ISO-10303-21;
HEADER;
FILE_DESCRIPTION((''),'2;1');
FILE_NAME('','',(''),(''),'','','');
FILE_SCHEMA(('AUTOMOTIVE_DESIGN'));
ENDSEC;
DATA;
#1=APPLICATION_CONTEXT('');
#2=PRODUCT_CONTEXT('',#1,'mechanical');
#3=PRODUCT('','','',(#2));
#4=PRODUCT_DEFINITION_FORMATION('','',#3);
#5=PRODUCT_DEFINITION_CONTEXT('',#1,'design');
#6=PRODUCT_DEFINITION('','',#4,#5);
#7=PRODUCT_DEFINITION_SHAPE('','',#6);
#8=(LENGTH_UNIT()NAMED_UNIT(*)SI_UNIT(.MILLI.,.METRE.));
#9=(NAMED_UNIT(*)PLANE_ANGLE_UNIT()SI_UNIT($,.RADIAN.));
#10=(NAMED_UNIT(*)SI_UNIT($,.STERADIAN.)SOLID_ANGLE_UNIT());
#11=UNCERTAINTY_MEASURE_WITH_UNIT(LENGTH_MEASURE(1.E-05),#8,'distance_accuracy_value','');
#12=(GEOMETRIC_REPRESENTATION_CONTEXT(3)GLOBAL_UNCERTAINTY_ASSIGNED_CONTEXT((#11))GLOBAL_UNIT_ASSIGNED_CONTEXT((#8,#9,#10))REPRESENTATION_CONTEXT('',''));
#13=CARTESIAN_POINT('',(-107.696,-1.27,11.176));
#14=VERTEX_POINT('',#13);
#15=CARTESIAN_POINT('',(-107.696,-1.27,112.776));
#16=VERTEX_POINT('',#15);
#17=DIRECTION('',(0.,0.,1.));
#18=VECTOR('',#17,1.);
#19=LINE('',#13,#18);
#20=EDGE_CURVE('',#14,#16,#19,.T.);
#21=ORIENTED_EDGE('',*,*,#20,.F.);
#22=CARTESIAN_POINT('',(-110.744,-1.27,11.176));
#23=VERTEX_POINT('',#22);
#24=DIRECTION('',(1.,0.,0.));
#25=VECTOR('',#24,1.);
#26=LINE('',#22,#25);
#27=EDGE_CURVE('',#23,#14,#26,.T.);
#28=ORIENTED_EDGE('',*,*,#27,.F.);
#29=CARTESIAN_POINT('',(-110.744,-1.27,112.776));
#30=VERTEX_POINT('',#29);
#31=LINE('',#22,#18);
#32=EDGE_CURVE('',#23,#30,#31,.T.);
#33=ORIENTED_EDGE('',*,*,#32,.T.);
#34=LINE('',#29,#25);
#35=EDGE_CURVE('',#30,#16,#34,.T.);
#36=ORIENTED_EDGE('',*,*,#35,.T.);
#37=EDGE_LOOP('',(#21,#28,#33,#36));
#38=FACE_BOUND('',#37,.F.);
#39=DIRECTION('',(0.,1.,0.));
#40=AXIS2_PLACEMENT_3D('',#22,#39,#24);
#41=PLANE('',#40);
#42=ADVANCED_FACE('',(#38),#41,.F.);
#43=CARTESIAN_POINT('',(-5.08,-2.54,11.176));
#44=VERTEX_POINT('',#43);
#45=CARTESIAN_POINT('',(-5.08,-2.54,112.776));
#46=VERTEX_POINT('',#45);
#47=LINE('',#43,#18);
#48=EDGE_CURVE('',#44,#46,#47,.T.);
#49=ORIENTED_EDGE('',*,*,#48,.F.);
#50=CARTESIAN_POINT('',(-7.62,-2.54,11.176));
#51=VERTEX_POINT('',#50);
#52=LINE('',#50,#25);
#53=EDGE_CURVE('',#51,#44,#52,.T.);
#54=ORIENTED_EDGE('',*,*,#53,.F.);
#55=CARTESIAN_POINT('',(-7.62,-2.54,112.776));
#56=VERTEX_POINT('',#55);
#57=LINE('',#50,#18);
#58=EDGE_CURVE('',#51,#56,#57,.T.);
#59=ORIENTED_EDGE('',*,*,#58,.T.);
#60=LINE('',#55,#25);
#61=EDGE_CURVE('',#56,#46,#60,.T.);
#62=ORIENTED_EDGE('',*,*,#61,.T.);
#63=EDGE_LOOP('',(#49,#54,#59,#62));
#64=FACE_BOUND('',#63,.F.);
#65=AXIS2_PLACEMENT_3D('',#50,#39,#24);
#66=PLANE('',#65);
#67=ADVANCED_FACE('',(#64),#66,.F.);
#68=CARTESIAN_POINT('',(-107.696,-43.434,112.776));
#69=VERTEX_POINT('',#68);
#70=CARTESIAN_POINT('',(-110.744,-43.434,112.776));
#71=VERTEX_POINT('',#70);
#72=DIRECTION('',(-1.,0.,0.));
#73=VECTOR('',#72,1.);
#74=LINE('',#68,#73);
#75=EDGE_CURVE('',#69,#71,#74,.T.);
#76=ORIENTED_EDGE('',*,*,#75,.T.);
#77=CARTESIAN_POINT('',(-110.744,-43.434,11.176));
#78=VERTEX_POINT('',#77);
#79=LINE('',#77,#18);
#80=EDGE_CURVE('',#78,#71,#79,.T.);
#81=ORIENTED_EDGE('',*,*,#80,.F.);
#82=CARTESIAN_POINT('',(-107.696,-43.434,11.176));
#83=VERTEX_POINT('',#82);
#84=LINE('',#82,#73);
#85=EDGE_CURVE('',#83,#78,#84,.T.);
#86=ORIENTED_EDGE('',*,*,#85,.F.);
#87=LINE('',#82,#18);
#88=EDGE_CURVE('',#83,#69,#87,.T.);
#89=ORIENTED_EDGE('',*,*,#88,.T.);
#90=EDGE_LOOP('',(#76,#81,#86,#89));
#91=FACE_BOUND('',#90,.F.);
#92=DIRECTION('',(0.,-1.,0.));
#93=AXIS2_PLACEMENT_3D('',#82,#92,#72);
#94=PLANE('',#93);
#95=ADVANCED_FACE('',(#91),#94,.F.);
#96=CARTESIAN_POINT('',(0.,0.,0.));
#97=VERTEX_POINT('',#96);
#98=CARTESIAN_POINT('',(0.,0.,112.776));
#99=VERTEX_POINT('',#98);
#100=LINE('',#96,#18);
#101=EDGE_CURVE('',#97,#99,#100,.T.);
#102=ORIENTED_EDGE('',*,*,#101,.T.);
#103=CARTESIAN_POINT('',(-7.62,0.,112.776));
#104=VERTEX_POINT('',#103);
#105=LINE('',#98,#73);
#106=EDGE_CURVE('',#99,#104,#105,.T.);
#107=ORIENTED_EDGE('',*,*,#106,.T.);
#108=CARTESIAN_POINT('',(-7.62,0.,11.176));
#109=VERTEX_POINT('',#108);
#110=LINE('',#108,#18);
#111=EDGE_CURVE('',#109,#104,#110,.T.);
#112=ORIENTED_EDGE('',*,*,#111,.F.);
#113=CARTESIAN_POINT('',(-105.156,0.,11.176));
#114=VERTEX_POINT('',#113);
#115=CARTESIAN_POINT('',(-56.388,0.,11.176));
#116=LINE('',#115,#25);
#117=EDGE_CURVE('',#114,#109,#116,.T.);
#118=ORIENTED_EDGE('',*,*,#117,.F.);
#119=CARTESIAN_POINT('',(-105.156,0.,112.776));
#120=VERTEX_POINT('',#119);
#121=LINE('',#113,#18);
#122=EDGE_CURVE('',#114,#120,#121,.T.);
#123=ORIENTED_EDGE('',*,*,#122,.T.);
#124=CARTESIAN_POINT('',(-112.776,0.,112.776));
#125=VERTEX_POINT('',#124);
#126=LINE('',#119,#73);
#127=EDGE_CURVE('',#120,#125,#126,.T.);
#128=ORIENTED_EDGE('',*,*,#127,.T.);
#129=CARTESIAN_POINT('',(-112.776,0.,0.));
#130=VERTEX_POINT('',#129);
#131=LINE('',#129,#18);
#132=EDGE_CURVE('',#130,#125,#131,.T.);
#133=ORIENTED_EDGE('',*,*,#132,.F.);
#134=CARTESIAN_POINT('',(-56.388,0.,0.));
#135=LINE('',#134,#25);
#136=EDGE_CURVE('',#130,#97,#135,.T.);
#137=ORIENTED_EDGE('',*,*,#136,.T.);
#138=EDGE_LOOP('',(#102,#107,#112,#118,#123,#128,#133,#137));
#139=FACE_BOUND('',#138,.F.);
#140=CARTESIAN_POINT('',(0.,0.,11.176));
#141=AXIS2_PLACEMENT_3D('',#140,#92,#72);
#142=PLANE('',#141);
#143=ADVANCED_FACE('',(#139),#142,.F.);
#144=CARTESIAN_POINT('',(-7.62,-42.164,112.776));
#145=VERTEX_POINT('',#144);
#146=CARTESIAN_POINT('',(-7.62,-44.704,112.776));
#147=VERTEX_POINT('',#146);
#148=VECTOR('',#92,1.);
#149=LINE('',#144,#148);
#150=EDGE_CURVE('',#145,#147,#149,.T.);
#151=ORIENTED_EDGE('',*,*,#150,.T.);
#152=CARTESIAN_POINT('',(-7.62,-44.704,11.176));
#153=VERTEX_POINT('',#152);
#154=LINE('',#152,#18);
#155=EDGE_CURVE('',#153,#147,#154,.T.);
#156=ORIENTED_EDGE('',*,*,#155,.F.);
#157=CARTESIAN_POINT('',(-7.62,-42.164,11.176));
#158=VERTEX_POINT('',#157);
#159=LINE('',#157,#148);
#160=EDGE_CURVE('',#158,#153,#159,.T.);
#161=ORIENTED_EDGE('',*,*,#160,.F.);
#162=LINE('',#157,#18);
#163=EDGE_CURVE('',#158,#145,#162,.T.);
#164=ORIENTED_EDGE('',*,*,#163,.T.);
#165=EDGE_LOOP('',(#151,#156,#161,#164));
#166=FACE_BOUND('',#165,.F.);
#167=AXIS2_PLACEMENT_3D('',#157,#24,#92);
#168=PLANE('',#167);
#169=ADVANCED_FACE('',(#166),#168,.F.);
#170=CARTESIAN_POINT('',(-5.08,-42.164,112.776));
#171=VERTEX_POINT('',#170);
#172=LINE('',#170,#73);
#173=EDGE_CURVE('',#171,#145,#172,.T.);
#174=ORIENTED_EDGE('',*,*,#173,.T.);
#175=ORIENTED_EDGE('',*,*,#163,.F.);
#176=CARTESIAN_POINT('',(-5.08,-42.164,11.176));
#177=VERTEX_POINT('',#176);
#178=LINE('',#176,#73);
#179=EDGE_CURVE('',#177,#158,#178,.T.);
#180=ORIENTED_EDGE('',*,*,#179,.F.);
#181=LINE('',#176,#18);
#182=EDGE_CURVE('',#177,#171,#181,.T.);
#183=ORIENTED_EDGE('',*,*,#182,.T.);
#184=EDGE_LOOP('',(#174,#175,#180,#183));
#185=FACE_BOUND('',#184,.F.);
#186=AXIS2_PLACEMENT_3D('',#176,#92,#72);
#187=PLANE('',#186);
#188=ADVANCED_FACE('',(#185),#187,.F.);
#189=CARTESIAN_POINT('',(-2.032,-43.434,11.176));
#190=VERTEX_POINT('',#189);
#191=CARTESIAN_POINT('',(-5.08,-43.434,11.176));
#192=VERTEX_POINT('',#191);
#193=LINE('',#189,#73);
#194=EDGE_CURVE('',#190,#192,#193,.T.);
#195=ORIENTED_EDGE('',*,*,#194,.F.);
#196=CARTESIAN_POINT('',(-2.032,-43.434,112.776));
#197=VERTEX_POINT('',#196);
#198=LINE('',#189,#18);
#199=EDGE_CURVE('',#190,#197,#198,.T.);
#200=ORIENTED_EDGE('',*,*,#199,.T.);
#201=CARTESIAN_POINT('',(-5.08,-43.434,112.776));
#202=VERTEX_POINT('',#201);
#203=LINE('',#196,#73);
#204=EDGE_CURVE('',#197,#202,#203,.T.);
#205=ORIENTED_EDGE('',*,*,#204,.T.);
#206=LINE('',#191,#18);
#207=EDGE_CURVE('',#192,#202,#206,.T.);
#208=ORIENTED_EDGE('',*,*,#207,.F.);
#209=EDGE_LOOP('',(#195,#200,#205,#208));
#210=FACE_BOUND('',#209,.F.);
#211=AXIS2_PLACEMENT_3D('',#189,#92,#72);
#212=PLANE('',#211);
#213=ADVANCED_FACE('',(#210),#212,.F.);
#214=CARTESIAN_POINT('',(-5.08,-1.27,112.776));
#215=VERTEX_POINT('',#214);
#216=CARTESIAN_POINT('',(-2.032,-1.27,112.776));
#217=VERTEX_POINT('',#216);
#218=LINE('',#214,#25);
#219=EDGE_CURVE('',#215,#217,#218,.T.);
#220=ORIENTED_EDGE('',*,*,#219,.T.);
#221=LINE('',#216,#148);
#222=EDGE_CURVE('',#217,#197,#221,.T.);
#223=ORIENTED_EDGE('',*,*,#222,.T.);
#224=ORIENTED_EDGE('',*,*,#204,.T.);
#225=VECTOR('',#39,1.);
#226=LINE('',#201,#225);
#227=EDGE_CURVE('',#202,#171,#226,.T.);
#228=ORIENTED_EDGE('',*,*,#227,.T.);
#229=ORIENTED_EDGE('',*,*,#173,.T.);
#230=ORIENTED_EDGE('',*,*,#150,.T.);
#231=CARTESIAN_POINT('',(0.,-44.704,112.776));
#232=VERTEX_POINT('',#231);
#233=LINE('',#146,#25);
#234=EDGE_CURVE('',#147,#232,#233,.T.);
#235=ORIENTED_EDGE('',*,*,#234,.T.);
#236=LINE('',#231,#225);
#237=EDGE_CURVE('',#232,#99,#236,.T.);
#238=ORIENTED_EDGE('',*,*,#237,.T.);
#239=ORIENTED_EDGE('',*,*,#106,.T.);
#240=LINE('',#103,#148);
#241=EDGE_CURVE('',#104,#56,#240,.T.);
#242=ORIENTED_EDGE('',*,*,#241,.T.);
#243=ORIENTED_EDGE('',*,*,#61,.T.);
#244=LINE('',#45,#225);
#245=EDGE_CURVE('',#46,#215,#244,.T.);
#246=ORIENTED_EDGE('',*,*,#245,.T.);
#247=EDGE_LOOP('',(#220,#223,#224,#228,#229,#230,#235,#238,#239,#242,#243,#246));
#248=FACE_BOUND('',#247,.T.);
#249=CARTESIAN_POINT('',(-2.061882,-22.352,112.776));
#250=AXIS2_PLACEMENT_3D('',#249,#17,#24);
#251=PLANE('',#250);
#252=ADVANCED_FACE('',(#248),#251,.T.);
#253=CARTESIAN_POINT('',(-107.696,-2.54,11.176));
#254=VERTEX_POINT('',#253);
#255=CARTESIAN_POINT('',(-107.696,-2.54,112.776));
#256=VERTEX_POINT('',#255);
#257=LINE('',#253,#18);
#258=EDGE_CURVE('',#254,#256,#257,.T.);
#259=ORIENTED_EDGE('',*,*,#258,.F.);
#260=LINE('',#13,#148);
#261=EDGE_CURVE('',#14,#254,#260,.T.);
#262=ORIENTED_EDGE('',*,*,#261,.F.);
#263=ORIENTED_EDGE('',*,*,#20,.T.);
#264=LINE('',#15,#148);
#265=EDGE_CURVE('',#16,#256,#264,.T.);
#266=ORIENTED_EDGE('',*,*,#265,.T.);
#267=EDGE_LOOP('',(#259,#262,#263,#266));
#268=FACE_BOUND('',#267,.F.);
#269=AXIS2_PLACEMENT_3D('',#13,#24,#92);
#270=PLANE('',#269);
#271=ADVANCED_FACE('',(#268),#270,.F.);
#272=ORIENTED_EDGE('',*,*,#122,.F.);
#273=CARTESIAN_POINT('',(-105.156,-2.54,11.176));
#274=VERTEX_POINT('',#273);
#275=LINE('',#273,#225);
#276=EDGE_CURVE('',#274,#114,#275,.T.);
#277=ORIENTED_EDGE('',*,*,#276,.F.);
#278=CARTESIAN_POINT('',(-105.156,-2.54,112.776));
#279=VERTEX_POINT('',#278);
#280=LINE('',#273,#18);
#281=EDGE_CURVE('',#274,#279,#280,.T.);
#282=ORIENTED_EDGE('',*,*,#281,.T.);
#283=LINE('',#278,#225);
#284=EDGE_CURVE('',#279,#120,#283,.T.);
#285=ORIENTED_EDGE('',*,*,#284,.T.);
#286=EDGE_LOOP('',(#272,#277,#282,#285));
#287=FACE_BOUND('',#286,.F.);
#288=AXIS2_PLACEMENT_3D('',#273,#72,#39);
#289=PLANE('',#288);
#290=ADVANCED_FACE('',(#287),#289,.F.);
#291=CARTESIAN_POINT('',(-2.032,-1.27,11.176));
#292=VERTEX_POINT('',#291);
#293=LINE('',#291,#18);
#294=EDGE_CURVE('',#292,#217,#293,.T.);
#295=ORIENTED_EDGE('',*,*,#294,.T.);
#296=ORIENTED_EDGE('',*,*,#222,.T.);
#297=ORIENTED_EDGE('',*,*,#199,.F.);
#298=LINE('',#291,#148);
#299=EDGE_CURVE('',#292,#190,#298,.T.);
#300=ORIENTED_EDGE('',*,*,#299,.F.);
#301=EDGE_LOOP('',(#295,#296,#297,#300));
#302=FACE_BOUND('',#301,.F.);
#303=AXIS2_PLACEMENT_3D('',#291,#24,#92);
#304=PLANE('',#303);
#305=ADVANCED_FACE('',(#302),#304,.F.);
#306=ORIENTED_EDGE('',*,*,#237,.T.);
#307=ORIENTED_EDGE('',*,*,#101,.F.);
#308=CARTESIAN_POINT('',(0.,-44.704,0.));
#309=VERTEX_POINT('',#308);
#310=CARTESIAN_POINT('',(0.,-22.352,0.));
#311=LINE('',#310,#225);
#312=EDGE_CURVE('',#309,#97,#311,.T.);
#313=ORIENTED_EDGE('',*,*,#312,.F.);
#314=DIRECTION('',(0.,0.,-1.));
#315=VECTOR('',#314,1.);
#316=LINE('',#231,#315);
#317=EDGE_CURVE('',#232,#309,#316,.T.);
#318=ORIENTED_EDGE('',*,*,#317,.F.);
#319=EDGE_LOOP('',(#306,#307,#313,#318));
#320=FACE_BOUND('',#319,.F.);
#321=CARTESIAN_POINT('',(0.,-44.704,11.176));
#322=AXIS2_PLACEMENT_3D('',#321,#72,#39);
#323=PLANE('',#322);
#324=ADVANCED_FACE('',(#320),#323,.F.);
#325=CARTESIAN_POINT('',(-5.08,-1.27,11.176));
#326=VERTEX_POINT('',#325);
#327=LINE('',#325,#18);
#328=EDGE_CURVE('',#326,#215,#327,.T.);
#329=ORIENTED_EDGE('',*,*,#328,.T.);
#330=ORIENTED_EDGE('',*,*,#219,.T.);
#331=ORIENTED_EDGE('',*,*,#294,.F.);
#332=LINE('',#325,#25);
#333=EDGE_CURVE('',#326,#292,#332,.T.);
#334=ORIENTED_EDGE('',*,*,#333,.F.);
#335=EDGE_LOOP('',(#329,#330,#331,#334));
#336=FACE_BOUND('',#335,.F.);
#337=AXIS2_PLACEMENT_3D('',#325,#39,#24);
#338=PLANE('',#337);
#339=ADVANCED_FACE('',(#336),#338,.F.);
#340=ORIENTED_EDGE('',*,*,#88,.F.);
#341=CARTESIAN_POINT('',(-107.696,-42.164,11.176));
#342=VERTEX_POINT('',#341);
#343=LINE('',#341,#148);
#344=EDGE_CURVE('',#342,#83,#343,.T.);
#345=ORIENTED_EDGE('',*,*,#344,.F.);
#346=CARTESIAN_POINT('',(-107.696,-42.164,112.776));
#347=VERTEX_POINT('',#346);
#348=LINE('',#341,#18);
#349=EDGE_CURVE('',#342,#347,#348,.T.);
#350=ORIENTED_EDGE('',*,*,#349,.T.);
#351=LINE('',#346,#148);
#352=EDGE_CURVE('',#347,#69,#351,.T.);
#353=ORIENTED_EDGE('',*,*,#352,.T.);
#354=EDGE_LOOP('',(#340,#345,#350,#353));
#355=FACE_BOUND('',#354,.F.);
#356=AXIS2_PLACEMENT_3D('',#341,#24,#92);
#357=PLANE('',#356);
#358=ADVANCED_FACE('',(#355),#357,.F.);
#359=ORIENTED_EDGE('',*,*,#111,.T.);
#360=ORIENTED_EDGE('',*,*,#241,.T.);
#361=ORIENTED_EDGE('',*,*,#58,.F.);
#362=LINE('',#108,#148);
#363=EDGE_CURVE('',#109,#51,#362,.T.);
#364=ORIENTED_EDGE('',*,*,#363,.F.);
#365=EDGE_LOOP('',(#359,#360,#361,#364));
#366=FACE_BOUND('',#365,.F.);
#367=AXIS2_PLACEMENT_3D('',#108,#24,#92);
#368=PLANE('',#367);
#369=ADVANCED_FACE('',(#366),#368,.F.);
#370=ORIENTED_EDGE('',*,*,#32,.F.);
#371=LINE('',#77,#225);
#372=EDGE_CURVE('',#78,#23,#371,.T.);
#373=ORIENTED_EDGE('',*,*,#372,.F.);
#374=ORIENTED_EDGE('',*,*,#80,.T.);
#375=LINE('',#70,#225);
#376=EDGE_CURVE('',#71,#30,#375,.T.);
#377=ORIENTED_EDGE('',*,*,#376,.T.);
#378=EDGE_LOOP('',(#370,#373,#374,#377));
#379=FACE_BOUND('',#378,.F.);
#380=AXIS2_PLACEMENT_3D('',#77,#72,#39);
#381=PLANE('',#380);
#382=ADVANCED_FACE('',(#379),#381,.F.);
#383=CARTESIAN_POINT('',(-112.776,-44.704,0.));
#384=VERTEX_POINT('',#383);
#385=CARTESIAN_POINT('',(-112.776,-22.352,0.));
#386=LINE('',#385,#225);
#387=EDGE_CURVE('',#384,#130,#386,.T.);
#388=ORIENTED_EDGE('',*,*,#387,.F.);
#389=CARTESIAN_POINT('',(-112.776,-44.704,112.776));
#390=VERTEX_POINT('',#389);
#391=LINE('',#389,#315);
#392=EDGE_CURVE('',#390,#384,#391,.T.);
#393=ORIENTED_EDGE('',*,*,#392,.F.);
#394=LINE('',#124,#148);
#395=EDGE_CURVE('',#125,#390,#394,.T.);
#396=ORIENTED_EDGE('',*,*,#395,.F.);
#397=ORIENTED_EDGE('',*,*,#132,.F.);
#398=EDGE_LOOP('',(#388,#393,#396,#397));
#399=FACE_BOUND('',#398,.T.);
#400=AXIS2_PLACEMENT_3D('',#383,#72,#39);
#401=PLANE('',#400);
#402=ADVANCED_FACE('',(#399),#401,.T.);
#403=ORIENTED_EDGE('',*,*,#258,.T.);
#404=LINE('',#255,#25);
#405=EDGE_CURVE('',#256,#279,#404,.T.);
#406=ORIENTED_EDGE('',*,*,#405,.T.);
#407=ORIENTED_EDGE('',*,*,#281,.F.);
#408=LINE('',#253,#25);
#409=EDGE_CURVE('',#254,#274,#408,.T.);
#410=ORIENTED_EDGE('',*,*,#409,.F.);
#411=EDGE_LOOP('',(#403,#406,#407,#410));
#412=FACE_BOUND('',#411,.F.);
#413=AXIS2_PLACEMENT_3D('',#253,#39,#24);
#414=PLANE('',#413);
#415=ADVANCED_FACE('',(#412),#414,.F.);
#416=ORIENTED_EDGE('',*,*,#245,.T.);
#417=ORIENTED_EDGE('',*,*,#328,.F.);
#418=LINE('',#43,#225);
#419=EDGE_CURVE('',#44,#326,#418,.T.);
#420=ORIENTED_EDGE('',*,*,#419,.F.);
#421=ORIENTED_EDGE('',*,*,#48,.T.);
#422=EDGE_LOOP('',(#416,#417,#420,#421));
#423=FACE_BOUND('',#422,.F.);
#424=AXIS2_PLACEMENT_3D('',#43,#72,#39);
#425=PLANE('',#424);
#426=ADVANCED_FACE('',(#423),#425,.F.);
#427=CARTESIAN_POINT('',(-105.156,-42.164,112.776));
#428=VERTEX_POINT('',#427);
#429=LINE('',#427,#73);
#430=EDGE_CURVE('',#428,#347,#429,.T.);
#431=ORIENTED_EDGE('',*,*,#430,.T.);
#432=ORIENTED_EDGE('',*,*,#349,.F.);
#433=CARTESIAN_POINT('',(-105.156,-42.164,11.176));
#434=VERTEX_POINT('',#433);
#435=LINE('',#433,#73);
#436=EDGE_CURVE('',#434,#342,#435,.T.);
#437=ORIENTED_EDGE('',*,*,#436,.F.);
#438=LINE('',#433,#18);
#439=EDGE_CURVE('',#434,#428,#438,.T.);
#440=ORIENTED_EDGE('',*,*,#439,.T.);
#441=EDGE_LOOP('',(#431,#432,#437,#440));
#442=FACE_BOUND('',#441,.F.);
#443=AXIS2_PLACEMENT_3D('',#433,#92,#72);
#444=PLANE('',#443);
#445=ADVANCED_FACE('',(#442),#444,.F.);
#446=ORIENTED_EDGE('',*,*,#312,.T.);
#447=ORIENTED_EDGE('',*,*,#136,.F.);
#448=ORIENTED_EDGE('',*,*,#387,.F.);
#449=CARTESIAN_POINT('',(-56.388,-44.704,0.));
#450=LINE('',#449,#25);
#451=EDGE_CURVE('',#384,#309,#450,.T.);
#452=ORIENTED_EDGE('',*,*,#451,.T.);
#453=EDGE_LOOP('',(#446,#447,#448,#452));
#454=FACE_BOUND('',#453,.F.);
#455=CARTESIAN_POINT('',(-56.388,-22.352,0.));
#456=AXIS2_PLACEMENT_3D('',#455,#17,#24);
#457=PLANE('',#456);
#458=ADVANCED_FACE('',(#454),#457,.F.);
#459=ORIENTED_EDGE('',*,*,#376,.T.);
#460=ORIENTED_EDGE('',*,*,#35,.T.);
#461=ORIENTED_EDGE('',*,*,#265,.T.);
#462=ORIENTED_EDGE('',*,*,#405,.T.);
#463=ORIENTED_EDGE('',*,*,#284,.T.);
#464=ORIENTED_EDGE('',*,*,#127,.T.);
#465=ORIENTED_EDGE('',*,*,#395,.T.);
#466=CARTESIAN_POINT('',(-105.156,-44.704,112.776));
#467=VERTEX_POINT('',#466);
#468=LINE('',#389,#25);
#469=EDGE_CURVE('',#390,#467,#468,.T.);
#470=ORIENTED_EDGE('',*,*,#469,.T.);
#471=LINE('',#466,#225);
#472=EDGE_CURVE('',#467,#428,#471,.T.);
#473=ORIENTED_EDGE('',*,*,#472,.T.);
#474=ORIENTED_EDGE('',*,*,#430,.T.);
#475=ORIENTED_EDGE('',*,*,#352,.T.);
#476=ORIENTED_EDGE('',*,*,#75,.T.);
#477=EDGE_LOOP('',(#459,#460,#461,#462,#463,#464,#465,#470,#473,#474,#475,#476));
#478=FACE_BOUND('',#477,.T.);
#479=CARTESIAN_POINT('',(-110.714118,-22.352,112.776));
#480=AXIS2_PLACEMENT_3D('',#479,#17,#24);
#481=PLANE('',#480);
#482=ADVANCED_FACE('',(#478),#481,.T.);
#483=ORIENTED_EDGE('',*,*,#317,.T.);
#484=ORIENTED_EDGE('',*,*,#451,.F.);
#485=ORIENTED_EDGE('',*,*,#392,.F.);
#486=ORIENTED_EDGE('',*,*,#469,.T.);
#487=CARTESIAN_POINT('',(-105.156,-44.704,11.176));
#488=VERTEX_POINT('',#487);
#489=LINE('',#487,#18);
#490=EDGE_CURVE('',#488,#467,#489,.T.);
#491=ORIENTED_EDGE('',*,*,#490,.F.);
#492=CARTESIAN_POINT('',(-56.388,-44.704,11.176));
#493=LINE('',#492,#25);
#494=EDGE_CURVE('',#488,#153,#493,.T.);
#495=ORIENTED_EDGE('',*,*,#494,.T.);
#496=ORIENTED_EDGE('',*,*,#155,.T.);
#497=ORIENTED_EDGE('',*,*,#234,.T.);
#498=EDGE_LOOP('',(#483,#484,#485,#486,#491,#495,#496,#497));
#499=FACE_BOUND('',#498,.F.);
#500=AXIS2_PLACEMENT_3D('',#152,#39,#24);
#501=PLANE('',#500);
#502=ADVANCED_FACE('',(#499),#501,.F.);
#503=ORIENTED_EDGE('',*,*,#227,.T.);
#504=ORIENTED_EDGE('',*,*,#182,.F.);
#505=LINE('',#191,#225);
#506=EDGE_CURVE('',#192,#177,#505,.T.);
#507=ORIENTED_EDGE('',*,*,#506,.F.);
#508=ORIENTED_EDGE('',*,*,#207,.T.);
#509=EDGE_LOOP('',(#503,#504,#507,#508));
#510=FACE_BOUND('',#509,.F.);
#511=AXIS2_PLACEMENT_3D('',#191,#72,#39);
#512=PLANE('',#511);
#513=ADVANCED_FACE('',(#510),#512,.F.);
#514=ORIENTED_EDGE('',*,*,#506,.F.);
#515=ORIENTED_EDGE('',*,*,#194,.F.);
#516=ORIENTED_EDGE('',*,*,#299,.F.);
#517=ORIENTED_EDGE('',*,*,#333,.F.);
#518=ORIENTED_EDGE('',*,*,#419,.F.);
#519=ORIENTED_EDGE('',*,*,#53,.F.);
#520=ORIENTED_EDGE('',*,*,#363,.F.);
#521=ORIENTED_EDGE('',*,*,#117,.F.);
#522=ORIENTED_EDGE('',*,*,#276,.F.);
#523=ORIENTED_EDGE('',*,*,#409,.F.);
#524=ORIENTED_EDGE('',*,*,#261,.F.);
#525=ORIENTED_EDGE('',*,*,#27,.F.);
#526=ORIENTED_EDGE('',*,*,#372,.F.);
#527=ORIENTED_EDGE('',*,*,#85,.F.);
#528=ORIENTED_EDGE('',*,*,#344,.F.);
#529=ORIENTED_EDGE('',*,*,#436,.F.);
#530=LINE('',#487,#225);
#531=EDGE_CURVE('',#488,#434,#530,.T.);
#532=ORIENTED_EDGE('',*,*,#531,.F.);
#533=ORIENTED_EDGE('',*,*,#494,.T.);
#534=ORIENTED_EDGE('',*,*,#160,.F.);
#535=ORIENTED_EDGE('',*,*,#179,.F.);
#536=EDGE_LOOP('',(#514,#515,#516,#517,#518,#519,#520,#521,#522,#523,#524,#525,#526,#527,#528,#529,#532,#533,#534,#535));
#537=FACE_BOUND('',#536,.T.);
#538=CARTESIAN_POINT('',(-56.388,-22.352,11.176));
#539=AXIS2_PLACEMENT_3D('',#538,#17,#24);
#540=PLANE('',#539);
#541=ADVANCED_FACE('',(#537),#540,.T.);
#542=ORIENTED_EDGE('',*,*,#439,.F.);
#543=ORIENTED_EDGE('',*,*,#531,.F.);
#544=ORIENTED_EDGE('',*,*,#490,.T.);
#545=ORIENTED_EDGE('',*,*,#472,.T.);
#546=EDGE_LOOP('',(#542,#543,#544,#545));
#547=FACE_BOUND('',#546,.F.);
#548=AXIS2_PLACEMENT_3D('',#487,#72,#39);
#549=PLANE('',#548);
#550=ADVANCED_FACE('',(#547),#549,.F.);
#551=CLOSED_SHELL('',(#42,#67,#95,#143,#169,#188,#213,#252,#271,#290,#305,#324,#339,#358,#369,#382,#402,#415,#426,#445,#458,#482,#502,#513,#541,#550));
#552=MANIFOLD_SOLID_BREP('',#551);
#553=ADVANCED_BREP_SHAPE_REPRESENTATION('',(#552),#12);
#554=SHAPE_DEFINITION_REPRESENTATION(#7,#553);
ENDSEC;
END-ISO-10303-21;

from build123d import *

# Parameters (mm, degrees)
F0_W     = 112.776
F0_H     = 44.704
F1_DEPTH = 11.176
F3_DEPTH = 101.6


with BuildPart() as f1:
    # F0 (on Top) → F1 (new body)
    with BuildSketch(Plane.XY):
        with Locations((-56.388, -22.352)):
            Rectangle(F0_W, F0_H)
    extrude(amount=F1_DEPTH)

    # F2 (on face) → F3 (join)
    with BuildSketch(Plane.XY.offset(11.176)):
        Polygon((0, -44.704), (0, -22.352), (0, 0), (-7.62, 0), (-7.62, -2.54), (-5.08, -2.54), (-5.08, -1.27), (-2.032, -1.27), (-2.032, -22.352), (-2.032, -43.434), (-5.08, -43.434), (-5.08, -42.164), (-7.62, -42.164), (-7.62, -44.704), align=None)
        Polygon((-105.156, -2.54), (-105.156, 0), (-112.776, 0), (-112.776, -22.352), (-112.776, -44.704), (-105.156, -44.704), (-105.156, -42.164), (-107.696, -42.164), (-107.696, -43.434), (-110.744, -43.434), (-110.744, -22.352), (-110.744, -1.27), (-107.696, -1.27), (-107.696, -2.54), align=None)
    extrude(amount=F3_DEPTH)


solid = f1.part
